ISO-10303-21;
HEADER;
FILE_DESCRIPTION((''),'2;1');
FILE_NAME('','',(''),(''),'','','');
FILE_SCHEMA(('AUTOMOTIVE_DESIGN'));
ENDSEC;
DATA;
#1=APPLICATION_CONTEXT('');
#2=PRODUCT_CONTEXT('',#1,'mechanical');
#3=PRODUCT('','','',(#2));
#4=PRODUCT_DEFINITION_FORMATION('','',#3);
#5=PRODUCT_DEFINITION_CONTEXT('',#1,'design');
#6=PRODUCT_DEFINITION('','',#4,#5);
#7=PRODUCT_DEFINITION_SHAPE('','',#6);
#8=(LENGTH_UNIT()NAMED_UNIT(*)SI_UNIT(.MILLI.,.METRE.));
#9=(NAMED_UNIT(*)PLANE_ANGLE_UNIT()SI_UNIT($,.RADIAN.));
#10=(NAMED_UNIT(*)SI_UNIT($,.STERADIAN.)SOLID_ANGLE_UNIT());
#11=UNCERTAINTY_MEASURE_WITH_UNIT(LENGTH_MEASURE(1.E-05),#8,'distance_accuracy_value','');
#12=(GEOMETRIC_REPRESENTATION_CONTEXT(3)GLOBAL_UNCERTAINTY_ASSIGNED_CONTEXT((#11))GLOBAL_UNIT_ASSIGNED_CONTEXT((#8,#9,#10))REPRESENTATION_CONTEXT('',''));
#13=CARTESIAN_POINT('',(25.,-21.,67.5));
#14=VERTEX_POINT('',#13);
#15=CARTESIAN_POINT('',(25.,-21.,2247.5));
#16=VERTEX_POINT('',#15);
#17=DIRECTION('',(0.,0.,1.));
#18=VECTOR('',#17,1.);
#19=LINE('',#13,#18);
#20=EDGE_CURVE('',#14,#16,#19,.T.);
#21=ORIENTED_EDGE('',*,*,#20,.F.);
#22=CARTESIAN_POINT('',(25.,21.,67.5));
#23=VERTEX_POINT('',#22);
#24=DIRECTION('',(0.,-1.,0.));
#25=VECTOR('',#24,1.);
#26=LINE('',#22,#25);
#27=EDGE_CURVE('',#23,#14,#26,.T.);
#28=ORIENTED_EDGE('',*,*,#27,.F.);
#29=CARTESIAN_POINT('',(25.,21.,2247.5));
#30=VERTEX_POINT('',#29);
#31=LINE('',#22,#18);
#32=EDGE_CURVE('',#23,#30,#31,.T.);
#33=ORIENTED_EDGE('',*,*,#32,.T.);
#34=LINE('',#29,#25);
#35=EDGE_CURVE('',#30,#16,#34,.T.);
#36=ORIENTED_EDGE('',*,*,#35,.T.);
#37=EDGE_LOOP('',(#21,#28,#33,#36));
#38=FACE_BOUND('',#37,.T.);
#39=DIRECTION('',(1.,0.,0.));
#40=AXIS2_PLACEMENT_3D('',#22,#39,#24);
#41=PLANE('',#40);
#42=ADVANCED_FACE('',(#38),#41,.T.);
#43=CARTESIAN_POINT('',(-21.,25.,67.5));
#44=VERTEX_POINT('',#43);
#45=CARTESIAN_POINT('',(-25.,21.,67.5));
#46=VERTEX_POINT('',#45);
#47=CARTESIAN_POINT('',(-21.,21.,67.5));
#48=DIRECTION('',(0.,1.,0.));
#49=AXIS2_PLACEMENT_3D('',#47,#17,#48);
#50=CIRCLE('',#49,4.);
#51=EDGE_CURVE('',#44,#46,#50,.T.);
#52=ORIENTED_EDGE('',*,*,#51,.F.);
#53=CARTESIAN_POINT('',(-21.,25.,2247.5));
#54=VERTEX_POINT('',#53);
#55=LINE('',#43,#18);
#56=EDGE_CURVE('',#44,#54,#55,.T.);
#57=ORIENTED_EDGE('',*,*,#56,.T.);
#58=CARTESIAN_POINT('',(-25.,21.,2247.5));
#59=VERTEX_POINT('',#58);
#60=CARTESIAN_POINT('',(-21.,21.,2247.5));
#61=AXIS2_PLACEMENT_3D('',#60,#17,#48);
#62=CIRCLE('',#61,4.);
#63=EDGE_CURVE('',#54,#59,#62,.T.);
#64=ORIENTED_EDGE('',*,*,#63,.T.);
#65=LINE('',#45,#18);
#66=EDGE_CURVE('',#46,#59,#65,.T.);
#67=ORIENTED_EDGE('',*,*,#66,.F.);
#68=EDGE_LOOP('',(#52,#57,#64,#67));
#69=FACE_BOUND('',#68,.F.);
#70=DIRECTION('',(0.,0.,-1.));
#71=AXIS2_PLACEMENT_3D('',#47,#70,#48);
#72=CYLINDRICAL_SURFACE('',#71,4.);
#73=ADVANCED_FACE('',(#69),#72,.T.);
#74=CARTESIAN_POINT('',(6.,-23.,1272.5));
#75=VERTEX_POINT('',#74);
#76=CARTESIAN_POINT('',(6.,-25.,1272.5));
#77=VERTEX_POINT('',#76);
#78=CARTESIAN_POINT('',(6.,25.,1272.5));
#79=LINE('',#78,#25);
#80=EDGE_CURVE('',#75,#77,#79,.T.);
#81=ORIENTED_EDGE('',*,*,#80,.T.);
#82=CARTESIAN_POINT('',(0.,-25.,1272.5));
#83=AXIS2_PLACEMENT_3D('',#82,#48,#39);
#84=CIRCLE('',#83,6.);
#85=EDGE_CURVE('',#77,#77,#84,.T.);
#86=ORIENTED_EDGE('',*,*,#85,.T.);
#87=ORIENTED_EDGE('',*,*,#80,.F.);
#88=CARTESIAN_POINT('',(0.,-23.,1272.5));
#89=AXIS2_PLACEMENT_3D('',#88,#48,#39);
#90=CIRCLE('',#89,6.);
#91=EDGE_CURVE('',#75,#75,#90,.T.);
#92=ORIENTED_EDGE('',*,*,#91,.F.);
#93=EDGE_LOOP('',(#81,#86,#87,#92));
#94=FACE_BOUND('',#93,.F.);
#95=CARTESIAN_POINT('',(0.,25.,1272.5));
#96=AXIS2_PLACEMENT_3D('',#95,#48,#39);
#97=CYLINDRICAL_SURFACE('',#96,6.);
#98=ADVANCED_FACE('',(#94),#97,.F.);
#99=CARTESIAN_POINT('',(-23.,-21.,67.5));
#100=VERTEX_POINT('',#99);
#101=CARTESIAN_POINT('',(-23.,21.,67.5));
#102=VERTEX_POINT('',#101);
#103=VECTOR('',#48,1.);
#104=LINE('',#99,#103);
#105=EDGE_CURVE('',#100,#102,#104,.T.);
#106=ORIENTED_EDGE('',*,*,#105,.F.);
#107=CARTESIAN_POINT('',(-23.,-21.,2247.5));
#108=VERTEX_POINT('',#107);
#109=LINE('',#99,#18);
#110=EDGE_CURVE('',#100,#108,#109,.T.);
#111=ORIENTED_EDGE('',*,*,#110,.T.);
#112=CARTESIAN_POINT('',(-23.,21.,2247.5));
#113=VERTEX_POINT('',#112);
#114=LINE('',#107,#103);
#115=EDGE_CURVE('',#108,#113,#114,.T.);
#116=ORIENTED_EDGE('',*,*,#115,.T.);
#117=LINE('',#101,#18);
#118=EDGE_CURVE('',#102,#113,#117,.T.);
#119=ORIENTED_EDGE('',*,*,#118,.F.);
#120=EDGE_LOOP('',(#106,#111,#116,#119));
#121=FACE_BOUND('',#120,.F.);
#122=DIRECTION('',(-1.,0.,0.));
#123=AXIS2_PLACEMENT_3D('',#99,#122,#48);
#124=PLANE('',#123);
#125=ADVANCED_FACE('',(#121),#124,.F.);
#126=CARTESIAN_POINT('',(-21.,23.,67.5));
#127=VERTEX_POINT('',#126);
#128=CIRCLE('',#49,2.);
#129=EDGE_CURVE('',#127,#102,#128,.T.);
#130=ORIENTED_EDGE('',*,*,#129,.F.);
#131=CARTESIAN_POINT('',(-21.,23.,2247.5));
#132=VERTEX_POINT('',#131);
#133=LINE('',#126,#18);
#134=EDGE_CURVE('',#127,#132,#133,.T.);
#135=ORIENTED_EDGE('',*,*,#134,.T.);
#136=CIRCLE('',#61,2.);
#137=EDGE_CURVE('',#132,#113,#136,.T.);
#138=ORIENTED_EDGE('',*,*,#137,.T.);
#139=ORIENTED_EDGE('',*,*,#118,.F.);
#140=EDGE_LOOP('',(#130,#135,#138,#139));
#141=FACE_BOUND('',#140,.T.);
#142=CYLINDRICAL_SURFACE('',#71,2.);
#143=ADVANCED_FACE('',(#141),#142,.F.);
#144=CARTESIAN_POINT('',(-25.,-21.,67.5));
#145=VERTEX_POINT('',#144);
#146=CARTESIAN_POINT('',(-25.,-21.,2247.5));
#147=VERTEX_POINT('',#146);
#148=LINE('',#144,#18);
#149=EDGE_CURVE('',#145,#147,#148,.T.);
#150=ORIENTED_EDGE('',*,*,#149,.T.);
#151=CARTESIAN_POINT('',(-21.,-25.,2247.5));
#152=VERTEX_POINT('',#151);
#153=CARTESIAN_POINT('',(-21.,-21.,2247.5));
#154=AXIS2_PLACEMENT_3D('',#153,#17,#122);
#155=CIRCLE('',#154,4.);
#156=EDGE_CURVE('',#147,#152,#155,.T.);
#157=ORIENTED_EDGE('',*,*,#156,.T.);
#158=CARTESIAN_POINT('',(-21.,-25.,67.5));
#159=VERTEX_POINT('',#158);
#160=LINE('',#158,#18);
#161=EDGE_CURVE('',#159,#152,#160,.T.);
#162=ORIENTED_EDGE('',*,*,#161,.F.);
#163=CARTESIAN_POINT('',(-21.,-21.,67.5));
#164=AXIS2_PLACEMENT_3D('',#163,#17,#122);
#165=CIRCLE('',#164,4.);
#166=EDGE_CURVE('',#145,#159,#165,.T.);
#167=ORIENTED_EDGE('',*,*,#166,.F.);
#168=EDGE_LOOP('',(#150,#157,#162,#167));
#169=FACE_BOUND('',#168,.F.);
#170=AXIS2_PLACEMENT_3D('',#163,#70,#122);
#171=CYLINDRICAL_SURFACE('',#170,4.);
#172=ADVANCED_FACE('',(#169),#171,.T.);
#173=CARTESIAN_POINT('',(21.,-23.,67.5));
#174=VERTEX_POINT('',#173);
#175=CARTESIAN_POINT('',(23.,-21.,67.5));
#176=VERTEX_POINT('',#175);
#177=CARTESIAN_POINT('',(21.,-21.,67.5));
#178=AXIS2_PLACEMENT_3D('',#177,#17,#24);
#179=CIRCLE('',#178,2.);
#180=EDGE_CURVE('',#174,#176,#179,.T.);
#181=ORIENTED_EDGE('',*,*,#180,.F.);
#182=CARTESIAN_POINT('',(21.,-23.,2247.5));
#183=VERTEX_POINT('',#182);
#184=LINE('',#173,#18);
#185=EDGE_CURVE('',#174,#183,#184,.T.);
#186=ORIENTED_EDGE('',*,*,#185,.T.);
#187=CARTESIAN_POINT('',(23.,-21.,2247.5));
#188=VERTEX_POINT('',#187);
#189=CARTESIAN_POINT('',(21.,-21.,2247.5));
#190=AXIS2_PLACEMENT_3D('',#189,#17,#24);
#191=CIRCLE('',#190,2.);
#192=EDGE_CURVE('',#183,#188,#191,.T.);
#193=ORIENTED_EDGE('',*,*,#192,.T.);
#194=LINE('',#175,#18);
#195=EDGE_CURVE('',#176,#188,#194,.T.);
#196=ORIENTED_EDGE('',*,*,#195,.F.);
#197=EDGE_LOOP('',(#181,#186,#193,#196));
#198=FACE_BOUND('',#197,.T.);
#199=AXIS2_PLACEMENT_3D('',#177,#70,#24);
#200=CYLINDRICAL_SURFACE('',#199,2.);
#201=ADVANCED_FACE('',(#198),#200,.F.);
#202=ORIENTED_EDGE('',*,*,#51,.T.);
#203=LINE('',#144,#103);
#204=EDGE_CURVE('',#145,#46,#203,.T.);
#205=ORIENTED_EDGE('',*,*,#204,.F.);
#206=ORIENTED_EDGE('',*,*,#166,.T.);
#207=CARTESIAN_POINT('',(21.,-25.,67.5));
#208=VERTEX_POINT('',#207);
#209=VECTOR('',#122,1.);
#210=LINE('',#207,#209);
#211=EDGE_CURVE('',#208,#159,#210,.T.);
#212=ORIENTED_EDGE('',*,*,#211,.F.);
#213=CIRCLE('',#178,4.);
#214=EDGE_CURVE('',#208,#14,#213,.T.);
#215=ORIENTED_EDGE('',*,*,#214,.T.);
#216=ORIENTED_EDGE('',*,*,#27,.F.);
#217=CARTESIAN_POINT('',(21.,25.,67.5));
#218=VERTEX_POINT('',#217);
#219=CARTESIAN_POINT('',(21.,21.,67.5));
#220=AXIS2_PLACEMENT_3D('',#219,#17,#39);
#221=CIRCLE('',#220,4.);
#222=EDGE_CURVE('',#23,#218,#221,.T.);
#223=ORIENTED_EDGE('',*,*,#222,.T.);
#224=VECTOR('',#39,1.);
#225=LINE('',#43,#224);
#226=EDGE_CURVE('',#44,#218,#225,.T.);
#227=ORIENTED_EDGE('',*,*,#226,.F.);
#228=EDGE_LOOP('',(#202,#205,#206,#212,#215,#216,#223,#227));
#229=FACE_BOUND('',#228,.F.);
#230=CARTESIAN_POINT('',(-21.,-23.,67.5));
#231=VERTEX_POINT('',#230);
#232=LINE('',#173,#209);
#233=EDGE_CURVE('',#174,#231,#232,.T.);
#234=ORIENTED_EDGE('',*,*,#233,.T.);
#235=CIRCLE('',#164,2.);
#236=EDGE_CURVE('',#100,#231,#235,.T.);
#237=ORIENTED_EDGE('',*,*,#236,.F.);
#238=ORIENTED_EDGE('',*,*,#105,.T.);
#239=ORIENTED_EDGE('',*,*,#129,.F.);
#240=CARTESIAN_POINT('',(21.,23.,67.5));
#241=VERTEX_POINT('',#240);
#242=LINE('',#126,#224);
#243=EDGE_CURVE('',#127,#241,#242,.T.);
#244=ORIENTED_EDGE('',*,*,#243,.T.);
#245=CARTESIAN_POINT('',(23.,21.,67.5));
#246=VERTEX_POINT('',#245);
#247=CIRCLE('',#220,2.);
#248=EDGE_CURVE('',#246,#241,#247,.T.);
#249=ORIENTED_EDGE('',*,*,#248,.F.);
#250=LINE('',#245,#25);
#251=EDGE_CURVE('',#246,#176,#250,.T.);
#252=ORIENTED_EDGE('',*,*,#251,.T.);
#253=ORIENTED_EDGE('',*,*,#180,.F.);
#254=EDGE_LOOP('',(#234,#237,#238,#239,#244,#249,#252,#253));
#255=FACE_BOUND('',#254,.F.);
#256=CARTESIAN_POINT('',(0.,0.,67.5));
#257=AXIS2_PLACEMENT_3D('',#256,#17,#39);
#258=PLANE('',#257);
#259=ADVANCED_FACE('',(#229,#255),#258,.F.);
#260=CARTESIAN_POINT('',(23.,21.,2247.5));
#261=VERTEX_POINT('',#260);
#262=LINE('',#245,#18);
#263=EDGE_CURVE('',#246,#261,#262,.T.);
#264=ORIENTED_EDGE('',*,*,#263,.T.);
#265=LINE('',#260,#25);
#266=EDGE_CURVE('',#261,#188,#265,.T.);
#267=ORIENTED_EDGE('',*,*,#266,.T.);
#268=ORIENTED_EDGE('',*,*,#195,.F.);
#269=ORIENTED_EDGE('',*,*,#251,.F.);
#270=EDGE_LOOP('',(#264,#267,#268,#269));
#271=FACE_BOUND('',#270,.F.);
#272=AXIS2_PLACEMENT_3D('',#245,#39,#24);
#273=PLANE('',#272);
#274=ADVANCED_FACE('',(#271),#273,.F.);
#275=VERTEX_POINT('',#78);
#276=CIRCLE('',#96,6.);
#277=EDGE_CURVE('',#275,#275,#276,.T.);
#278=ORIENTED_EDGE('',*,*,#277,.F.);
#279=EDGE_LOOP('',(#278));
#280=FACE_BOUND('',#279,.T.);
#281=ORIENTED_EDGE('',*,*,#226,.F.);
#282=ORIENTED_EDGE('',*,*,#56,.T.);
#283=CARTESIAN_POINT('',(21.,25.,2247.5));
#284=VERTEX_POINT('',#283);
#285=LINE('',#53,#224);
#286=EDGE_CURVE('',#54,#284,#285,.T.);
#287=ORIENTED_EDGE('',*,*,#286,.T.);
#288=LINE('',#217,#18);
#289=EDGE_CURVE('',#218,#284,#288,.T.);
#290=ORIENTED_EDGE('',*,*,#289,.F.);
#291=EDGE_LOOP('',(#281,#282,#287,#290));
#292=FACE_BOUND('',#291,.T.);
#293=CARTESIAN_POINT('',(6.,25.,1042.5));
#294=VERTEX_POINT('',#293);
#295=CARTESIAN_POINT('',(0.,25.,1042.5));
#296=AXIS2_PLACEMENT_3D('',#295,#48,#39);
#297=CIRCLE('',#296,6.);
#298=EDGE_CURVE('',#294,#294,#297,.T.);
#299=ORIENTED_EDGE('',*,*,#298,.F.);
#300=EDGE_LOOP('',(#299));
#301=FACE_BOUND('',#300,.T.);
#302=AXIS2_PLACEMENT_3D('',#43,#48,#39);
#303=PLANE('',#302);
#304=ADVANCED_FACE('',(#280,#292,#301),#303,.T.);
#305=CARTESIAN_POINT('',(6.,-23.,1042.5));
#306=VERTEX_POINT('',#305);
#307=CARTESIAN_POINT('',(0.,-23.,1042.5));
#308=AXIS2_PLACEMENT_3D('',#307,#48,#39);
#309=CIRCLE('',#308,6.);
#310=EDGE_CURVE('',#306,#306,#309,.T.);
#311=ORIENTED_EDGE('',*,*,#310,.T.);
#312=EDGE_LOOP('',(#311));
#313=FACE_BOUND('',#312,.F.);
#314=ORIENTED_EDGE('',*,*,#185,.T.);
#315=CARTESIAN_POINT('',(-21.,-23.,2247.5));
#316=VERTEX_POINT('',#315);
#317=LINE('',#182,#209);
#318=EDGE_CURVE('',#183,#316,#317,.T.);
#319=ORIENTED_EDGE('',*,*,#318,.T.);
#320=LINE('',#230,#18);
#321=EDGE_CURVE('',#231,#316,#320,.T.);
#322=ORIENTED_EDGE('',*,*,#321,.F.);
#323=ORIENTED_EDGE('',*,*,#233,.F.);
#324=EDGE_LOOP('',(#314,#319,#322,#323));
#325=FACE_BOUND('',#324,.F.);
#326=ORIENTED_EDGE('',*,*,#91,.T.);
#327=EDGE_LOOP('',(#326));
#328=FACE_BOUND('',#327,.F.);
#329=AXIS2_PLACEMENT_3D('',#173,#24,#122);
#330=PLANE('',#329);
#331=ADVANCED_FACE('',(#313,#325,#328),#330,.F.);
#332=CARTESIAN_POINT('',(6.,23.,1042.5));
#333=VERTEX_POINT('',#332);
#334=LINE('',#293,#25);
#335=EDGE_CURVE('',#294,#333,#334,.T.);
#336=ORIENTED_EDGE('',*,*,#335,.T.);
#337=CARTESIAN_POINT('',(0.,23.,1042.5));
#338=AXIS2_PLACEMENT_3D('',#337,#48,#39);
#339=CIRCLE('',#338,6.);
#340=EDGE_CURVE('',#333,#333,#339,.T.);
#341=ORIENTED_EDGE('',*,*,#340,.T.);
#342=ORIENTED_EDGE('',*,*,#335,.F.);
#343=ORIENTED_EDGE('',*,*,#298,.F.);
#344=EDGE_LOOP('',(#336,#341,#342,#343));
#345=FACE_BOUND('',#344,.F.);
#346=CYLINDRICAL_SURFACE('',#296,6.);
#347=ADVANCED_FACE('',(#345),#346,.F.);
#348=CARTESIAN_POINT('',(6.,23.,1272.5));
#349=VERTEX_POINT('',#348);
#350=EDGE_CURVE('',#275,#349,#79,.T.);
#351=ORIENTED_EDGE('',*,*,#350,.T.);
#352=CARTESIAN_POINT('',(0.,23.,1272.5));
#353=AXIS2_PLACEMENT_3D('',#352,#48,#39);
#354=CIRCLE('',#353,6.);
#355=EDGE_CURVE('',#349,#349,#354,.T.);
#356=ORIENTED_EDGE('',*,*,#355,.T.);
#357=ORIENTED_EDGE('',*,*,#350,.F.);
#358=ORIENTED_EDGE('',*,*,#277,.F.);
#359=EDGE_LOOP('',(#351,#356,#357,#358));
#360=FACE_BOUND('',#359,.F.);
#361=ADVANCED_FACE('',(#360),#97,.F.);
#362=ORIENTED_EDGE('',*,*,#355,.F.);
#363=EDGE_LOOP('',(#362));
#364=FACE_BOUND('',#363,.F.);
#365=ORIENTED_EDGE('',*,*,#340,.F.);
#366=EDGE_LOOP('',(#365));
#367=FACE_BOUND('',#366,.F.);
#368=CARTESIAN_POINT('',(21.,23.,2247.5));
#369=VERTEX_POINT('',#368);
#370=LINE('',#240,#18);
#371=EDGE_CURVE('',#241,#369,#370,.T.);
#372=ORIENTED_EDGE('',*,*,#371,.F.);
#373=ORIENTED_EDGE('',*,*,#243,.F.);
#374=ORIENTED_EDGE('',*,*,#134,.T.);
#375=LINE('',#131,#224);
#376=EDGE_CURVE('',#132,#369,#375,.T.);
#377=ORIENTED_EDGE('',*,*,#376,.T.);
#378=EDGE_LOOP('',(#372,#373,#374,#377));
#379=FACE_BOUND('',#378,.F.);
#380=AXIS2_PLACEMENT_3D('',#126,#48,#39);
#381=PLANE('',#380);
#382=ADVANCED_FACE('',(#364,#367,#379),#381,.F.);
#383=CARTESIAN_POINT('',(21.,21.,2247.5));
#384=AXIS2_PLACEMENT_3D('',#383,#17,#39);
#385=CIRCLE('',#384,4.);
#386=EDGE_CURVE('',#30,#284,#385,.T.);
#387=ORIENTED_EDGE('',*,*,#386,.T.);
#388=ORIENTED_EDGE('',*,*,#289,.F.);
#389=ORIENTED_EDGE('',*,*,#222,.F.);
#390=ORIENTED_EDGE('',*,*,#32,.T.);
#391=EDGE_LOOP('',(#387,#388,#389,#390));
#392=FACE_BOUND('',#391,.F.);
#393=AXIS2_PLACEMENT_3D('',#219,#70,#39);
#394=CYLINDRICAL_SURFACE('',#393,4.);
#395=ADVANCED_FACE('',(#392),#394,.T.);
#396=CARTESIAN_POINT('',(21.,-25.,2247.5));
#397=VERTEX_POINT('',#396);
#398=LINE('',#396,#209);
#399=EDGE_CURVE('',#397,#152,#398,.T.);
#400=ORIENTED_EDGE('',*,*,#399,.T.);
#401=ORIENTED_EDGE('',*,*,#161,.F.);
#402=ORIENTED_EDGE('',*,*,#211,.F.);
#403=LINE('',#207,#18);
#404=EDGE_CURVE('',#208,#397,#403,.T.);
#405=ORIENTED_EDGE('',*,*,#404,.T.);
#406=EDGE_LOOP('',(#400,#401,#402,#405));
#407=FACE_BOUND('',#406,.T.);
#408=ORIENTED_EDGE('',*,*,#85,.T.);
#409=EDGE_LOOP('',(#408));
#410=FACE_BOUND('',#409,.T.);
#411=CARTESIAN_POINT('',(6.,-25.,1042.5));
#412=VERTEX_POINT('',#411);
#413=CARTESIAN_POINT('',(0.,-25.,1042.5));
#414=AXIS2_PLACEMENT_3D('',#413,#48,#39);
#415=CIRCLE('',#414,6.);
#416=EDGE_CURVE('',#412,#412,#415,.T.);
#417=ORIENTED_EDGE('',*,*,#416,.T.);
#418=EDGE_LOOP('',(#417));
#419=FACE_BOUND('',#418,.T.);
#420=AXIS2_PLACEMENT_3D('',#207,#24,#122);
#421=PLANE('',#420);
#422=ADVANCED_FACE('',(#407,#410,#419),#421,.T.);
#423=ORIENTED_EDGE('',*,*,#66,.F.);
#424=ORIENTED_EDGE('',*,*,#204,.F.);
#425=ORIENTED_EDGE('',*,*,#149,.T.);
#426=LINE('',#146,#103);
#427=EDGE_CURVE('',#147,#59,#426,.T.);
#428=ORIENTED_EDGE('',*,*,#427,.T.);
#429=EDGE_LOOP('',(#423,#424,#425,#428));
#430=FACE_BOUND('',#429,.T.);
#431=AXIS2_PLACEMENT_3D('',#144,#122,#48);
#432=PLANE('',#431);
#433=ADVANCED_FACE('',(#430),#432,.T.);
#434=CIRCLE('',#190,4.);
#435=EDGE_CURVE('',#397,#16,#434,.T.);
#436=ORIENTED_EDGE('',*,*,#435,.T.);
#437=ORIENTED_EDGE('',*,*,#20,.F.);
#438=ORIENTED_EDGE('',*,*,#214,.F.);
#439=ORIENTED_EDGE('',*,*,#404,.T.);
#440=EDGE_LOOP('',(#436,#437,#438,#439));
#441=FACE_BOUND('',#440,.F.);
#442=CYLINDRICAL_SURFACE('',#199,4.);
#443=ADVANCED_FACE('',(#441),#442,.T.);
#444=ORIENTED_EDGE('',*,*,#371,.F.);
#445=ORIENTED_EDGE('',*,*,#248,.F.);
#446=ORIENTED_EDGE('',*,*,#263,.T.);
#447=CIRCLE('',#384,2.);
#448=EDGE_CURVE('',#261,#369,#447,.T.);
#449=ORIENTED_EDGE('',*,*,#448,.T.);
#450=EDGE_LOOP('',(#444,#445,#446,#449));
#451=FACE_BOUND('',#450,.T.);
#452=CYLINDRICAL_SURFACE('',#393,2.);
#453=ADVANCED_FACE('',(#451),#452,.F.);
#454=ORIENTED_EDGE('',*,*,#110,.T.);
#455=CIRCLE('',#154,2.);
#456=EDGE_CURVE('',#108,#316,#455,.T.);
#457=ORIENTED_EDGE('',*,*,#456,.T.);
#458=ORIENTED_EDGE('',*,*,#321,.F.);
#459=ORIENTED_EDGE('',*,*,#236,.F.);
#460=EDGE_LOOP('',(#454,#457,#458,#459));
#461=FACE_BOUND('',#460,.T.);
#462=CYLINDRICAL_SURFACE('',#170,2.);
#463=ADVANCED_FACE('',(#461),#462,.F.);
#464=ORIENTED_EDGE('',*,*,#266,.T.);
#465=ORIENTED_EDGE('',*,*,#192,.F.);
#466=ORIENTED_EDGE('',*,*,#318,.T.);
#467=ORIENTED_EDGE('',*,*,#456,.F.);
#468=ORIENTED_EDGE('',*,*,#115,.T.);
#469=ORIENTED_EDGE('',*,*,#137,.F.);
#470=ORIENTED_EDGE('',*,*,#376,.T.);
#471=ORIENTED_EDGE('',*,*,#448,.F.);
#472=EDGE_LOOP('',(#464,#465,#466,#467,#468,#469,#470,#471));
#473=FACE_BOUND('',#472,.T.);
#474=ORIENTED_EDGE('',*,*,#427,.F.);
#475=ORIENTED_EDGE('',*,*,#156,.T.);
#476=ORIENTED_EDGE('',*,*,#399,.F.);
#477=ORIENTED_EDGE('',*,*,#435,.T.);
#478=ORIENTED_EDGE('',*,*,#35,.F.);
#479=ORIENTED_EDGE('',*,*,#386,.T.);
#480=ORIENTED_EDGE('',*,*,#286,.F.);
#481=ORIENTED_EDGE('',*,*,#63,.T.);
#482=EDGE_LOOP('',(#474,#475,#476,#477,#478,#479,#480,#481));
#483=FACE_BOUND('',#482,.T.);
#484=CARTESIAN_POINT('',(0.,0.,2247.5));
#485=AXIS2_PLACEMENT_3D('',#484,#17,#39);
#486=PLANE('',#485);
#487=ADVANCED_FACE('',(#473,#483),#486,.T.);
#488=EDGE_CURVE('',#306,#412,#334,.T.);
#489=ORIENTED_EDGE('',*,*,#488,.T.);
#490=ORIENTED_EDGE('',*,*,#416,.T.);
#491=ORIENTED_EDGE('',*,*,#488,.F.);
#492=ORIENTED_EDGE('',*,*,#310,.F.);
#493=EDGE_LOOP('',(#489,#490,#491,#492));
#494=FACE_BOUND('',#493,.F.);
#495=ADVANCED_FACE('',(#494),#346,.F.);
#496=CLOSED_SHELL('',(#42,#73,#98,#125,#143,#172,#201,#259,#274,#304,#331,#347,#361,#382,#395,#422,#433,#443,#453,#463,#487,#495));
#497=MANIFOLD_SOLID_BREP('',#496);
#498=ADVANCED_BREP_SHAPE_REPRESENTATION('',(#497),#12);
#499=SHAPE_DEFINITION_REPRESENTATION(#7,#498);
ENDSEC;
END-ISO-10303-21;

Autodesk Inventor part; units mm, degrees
ref_plane "Start Plane" through (0, 0, 67.5) normal (0, 0, 1) x (1, 0, 0)
ref_plane "End Plane" through (0, 0, 2247.5) normal (0, 0, 1) x (1, 0, 0)
sketch "Sketch" plane through (0, 0, 0) normal (0, 0, 1) x (1, 0, 0)
  line L0 (-25, -21) -> (-25, 21)
  line L1 (-21, 25) -> (21, 25)
  line L2 (25, 21) -> (25, -21)
  line L3 (21, -25) -> (-21, -25)
  arc A0 (-25, -21) -> (-21, -25) centre (-21, -21) ccw
  arc A1 (25, 21) -> (21, 25) centre (21, 21) ccw
  arc A2 (-21, 25) -> (-25, 21) centre (-21, 21) ccw
  arc A3 (21, -25) -> (25, -21) centre (21, -21) ccw
  arc A4 (-21, 23) -> (-23, 21) centre (-21, 21) ccw
  line L4 (-21, 23) -> (21, 23)
  arc A5 (23, 21) -> (21, 23) centre (21, 21) ccw
  line L5 (23, 21) -> (23, -21)
  arc A6 (21, -23) -> (23, -21) centre (21, -21) ccw
  line L6 (21, -23) -> (-21, -23)
  arc A7 (-23, -21) -> (-21, -23) centre (-21, -21) ccw
  line L7 (-23, -21) -> (-23, 21)
  line L8 (0, 36.1598) -> (0, -36.1598) construction
  line L9 (-36.1598, 0) -> (36.1598, 0) construction
  dimension "d7" = 4
  dimension "d9" = 50
  dimension "d11" = 50
  dimension "d12" = 2
  dimension "d15" = 25
  dimension "d16" = 25
extrude "Body" add sketch "Sketch" along normal up to surface (2180 mm away) from surface at 67.5
sketch "Sketch3" plane through (0, 0, 0) normal (0, 0, 1) x (1, 0, 0)
  line L0 (0, 0) -> (10, 0)
ref_plane "Work Plane3" through (0, 0, 0) normal (0, -1, 0) x (1, 0, 0)
sketch "Sketch4" plane through (0, 0, 0) normal (0, -1, 0) x (1, 0, 0)
  line L0 (-2, 67.5) -> (12, 67.5)
  line L1 (-2, 2247.5) -> (12, 2247.5)
  dimension "d18" = 2180
ref_plane "Work Plane4" through (150.0026, 21, 27.5) normal (0, 0, -1) x (-1, 0, 0)
split "Split1" plane through (150.0026, 21, 27.5) removes the side toward (0, 0, -1)
ref_plane "Work Plane5" through (150.0026, -21, 2287.5) normal (0, 0, 1) x (1, 0, 0)
split "Split2" plane through (150.0026, -21, 2287.5) removes the side toward (0, 0, 1)
sketch "Sketch5" plane through (21, 25, 2247.5) normal (0, 1, 0) x (1, 0, 0)
  circle A0 centre (-21, 975) radius 6
  circle A1 centre (-21, 1205) radius 6
  line L0 (-42, 0) -> (0, 0) projected
  line L1 (0, 2180) -> (0, 0) projected
  line L2 (-42, 2180) -> (0, 2180) projected
  line L3 (-42, 2180) -> (-42, 0) projected
  line L4 (-42, 2180) -> (-42, 0) projected
  line L5 (-42, 1090) -> (0, 1090)
  line L6 (0, 2180) -> (0, 0) projected
  line L7 (0, 2180) -> (0, 0) projected
  line L8 (-21, 1090) -> (-21, 1061.6065)
  point P0 (-21, 2247.5)
  dimension "d21" = 230
  dimension "d23" = 12
  dimension "d24" = 12
extrude "Extrusion2" cut sketch "Sketch5" against normal up to surface (50 mm away) contours A0 | A1
ref_plane "Work Plane6" through (0.0026, -21, 2247.5) normal (0, 0, 1) x (1, 0, 0)
split "Split3" plane through (0.0026, -21, 2247.5) removes the side toward (0, 0, 1)
ref_plane "Work Plane7" through (450.0026, 21, 67.5) normal (0, 0, -1) x (-1, 0, 0)
split "Split4" plane through (450.0026, 21, 67.5) removes the side toward (0, 0, -1)
equation "\"d7\" = G_IR"
equation "\"d9\" = G_W"
equation "\"d11\" = G_H"
equation "\"d12\" = G_T"
equation "\"d15\" = 0.5 * d9"
equation "\"d16\" = 0.5 * d11"
equation "\"d3\" = G_L"
equation "\"G_W\" = 50"
equation "\"G_H\" = 50"
equation "\"G_T\" = 2"
equation "\"G_IR\" = 4"
equation "\"G_L\" = d18"
equation "\"G_OFFSET_START\" = -67.50001"
equation "\"G_OFFSET_END\" = -67.5"
equation "\"d13\" = -G_OFFSET_START"
equation "\"d14\" = G_OFFSET_END + B_L"
equation "\"B_L\" = 2315"
properties part number "ISO 10799-2 - 50x50x2 - 2180" material "Steel, Galvanized"
